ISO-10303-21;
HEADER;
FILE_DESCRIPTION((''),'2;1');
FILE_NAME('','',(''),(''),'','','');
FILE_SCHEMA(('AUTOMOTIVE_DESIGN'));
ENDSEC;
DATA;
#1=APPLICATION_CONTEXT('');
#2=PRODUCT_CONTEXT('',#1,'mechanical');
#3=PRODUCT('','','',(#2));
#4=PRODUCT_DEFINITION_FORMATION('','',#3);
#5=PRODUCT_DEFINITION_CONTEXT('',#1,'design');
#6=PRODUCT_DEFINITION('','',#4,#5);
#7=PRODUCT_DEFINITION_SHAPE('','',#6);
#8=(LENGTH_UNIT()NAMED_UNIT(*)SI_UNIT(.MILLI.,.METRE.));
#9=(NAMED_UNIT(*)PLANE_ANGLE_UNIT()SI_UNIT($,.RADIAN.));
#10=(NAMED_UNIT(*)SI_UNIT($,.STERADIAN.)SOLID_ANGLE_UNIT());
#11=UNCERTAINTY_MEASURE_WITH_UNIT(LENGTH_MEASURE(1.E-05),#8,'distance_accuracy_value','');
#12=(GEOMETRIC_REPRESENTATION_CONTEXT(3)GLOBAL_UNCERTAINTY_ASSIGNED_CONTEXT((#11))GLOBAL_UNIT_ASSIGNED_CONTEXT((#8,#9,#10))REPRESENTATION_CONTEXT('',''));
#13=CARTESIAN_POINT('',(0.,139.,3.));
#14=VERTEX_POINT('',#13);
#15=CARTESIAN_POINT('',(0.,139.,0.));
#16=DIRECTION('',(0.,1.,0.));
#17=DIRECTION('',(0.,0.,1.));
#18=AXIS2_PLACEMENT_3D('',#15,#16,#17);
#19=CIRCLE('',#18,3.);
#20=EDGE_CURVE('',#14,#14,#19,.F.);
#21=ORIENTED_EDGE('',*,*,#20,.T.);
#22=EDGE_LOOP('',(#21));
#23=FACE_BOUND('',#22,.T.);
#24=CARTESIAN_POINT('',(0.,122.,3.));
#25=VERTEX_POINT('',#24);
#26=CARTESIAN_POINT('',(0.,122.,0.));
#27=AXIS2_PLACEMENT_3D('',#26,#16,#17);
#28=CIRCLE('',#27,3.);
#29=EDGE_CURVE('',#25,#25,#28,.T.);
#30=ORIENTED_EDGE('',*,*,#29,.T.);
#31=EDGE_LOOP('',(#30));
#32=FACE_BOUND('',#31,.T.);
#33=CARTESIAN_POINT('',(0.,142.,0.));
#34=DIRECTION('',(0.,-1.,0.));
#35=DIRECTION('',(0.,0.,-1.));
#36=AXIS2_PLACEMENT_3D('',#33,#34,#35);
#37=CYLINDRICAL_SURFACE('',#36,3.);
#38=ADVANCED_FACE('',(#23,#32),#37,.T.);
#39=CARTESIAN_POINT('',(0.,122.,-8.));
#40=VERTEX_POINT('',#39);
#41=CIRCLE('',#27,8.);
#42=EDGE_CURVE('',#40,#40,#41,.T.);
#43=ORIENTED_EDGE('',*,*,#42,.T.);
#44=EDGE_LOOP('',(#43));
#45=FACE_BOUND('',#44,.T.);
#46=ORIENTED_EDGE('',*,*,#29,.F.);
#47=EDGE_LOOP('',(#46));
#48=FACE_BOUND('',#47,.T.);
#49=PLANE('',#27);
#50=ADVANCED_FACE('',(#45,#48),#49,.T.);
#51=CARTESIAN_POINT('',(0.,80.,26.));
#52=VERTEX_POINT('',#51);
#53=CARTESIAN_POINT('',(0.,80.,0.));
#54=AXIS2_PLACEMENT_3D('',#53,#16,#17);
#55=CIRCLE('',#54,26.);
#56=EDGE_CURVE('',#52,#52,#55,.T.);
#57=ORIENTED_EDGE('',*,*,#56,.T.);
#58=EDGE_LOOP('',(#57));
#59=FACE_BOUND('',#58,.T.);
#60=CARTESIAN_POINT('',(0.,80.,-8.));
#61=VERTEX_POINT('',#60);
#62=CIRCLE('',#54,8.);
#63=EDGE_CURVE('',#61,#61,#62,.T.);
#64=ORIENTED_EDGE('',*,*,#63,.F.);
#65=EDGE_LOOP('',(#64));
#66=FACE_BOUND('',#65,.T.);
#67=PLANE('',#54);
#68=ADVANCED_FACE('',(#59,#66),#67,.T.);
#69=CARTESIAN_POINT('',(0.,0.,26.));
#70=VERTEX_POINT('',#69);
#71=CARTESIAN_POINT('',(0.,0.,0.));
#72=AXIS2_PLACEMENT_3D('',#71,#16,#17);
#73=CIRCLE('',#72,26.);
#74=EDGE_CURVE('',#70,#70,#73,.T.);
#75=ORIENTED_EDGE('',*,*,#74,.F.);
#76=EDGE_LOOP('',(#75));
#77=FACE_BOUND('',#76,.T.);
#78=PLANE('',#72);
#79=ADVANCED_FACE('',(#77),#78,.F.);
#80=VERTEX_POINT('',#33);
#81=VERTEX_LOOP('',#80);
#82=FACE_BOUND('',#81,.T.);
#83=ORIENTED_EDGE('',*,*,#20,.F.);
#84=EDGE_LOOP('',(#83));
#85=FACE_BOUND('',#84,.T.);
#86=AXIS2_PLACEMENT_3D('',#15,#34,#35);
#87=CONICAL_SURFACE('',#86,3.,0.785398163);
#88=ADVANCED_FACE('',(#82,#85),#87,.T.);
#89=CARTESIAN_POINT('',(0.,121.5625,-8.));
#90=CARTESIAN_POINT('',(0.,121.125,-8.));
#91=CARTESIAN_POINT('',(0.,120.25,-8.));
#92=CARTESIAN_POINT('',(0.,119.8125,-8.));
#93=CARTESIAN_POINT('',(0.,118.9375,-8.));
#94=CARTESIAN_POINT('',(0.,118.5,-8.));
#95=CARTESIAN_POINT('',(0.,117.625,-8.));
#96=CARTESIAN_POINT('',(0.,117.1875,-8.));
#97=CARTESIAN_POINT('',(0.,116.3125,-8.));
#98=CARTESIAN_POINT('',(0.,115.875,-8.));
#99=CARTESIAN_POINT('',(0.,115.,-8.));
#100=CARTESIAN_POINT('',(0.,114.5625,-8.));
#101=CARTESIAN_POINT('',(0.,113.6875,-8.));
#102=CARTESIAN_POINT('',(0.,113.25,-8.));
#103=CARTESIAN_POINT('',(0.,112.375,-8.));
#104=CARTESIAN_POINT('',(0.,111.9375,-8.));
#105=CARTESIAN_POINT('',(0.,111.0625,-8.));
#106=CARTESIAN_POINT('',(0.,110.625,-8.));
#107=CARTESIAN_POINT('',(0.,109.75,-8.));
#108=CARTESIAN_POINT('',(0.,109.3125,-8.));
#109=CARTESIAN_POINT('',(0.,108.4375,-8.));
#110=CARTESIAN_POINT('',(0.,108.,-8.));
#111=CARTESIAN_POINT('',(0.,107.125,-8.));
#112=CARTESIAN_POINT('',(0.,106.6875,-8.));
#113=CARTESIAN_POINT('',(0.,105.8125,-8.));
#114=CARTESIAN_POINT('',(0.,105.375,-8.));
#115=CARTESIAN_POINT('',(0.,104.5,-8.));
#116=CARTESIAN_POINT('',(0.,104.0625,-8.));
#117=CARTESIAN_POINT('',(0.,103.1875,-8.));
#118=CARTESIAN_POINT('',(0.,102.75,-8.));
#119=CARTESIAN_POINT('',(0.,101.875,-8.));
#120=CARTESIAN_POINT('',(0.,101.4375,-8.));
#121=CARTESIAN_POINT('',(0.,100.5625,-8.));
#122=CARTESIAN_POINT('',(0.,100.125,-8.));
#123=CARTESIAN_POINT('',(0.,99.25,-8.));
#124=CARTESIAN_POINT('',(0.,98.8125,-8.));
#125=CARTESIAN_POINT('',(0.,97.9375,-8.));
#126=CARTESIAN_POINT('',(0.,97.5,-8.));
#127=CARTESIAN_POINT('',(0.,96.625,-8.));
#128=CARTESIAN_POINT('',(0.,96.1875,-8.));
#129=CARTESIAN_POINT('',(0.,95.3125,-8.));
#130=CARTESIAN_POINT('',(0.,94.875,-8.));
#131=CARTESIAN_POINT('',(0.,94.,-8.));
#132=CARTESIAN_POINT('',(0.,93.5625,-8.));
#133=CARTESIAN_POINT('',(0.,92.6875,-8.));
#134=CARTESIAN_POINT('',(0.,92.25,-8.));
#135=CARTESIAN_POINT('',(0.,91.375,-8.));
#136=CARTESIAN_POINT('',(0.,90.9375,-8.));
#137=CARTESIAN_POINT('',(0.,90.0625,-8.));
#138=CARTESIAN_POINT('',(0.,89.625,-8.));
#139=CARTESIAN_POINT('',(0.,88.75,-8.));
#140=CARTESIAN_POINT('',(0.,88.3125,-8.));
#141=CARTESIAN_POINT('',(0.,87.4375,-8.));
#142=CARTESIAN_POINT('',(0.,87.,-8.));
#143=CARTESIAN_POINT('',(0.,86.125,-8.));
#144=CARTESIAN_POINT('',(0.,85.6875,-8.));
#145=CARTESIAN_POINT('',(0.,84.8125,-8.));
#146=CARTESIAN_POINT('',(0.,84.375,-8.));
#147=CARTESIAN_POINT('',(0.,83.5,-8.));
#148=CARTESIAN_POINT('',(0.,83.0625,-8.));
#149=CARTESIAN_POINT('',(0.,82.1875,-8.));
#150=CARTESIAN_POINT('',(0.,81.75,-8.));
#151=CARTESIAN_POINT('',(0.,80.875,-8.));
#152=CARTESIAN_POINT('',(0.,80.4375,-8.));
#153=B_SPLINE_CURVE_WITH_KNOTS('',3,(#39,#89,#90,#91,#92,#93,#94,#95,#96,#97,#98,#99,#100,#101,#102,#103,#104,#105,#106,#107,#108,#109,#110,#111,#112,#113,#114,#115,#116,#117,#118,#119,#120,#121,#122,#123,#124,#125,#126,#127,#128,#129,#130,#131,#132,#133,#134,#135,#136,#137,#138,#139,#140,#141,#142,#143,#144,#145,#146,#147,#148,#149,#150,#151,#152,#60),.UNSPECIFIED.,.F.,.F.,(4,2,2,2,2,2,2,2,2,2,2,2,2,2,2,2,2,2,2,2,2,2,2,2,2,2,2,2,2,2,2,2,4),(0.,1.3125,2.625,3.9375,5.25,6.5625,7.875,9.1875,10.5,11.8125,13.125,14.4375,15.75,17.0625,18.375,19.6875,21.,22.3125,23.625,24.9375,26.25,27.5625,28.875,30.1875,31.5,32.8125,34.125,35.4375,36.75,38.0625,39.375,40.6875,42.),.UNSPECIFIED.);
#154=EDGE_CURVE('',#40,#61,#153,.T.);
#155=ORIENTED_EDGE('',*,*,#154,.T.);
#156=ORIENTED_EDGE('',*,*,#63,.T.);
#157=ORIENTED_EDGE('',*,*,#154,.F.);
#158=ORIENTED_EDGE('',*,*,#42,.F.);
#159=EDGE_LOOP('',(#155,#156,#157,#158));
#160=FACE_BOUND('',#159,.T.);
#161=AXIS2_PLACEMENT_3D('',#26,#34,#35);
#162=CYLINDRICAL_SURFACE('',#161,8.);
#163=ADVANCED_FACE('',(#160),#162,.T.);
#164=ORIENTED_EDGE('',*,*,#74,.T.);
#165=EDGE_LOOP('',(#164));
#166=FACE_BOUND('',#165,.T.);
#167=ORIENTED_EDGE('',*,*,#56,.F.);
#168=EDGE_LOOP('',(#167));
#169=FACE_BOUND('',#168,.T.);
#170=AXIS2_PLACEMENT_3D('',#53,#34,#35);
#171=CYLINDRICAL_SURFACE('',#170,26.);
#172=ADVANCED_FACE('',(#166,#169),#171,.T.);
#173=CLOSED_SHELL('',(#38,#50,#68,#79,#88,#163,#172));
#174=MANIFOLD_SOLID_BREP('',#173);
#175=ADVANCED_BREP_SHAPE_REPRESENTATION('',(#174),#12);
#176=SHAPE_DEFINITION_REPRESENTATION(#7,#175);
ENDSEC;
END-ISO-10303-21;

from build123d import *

# Parameters (mm, degrees)
SKETCH2_R           = 26
BOSS_EXTRUDE1_DEPTH = 80
SKETCH3_R           = 8
BOSS_EXTRUDE2_DEPTH = 42
SKETCH4_R           = 3
BOSS_EXTRUDE3_DEPTH = 20
CHAMFER1_SIZE       = 3


with BuildPart() as part:
    # Sketch2 → Boss-Extrude1 (new body)
    with BuildSketch(Plane(origin=(0, 0, 0), x_dir=(1, 0, 0), z_dir=(0, 1, 0))):
        with Locations(Location((0, 0, 0), (0, 0, 270))):
            Circle(SKETCH2_R)
    extrude(amount=BOSS_EXTRUDE1_DEPTH)

    # Sketch3 → Boss-Extrude2 (add)
    with BuildSketch(Plane(origin=(0, 80, 0), x_dir=(1, 0, 0), z_dir=(0, 1, 0))):
        with Locations(Location((0, 0, 0), (0, 0, 90))):
            Circle(SKETCH3_R)
    extrude(amount=BOSS_EXTRUDE2_DEPTH)

    # Sketch4 → Boss-Extrude3 (add)
    with BuildSketch(Plane(origin=(0, 122, 0), x_dir=(1, 0, 0), z_dir=(0, 1, 0))):
        with Locations(Location((0, 0, 0), (0, 0, 270))):
            Circle(SKETCH4_R)
    extrude(amount=BOSS_EXTRUDE3_DEPTH)

    # Chamfer1
    chamfer1_edges = [part.edges().sort_by_distance(p)[0] for p in [
        (0, 142, -3),
    ]]
    chamfer(chamfer1_edges, length=CHAMFER1_SIZE)


solid = part.part
